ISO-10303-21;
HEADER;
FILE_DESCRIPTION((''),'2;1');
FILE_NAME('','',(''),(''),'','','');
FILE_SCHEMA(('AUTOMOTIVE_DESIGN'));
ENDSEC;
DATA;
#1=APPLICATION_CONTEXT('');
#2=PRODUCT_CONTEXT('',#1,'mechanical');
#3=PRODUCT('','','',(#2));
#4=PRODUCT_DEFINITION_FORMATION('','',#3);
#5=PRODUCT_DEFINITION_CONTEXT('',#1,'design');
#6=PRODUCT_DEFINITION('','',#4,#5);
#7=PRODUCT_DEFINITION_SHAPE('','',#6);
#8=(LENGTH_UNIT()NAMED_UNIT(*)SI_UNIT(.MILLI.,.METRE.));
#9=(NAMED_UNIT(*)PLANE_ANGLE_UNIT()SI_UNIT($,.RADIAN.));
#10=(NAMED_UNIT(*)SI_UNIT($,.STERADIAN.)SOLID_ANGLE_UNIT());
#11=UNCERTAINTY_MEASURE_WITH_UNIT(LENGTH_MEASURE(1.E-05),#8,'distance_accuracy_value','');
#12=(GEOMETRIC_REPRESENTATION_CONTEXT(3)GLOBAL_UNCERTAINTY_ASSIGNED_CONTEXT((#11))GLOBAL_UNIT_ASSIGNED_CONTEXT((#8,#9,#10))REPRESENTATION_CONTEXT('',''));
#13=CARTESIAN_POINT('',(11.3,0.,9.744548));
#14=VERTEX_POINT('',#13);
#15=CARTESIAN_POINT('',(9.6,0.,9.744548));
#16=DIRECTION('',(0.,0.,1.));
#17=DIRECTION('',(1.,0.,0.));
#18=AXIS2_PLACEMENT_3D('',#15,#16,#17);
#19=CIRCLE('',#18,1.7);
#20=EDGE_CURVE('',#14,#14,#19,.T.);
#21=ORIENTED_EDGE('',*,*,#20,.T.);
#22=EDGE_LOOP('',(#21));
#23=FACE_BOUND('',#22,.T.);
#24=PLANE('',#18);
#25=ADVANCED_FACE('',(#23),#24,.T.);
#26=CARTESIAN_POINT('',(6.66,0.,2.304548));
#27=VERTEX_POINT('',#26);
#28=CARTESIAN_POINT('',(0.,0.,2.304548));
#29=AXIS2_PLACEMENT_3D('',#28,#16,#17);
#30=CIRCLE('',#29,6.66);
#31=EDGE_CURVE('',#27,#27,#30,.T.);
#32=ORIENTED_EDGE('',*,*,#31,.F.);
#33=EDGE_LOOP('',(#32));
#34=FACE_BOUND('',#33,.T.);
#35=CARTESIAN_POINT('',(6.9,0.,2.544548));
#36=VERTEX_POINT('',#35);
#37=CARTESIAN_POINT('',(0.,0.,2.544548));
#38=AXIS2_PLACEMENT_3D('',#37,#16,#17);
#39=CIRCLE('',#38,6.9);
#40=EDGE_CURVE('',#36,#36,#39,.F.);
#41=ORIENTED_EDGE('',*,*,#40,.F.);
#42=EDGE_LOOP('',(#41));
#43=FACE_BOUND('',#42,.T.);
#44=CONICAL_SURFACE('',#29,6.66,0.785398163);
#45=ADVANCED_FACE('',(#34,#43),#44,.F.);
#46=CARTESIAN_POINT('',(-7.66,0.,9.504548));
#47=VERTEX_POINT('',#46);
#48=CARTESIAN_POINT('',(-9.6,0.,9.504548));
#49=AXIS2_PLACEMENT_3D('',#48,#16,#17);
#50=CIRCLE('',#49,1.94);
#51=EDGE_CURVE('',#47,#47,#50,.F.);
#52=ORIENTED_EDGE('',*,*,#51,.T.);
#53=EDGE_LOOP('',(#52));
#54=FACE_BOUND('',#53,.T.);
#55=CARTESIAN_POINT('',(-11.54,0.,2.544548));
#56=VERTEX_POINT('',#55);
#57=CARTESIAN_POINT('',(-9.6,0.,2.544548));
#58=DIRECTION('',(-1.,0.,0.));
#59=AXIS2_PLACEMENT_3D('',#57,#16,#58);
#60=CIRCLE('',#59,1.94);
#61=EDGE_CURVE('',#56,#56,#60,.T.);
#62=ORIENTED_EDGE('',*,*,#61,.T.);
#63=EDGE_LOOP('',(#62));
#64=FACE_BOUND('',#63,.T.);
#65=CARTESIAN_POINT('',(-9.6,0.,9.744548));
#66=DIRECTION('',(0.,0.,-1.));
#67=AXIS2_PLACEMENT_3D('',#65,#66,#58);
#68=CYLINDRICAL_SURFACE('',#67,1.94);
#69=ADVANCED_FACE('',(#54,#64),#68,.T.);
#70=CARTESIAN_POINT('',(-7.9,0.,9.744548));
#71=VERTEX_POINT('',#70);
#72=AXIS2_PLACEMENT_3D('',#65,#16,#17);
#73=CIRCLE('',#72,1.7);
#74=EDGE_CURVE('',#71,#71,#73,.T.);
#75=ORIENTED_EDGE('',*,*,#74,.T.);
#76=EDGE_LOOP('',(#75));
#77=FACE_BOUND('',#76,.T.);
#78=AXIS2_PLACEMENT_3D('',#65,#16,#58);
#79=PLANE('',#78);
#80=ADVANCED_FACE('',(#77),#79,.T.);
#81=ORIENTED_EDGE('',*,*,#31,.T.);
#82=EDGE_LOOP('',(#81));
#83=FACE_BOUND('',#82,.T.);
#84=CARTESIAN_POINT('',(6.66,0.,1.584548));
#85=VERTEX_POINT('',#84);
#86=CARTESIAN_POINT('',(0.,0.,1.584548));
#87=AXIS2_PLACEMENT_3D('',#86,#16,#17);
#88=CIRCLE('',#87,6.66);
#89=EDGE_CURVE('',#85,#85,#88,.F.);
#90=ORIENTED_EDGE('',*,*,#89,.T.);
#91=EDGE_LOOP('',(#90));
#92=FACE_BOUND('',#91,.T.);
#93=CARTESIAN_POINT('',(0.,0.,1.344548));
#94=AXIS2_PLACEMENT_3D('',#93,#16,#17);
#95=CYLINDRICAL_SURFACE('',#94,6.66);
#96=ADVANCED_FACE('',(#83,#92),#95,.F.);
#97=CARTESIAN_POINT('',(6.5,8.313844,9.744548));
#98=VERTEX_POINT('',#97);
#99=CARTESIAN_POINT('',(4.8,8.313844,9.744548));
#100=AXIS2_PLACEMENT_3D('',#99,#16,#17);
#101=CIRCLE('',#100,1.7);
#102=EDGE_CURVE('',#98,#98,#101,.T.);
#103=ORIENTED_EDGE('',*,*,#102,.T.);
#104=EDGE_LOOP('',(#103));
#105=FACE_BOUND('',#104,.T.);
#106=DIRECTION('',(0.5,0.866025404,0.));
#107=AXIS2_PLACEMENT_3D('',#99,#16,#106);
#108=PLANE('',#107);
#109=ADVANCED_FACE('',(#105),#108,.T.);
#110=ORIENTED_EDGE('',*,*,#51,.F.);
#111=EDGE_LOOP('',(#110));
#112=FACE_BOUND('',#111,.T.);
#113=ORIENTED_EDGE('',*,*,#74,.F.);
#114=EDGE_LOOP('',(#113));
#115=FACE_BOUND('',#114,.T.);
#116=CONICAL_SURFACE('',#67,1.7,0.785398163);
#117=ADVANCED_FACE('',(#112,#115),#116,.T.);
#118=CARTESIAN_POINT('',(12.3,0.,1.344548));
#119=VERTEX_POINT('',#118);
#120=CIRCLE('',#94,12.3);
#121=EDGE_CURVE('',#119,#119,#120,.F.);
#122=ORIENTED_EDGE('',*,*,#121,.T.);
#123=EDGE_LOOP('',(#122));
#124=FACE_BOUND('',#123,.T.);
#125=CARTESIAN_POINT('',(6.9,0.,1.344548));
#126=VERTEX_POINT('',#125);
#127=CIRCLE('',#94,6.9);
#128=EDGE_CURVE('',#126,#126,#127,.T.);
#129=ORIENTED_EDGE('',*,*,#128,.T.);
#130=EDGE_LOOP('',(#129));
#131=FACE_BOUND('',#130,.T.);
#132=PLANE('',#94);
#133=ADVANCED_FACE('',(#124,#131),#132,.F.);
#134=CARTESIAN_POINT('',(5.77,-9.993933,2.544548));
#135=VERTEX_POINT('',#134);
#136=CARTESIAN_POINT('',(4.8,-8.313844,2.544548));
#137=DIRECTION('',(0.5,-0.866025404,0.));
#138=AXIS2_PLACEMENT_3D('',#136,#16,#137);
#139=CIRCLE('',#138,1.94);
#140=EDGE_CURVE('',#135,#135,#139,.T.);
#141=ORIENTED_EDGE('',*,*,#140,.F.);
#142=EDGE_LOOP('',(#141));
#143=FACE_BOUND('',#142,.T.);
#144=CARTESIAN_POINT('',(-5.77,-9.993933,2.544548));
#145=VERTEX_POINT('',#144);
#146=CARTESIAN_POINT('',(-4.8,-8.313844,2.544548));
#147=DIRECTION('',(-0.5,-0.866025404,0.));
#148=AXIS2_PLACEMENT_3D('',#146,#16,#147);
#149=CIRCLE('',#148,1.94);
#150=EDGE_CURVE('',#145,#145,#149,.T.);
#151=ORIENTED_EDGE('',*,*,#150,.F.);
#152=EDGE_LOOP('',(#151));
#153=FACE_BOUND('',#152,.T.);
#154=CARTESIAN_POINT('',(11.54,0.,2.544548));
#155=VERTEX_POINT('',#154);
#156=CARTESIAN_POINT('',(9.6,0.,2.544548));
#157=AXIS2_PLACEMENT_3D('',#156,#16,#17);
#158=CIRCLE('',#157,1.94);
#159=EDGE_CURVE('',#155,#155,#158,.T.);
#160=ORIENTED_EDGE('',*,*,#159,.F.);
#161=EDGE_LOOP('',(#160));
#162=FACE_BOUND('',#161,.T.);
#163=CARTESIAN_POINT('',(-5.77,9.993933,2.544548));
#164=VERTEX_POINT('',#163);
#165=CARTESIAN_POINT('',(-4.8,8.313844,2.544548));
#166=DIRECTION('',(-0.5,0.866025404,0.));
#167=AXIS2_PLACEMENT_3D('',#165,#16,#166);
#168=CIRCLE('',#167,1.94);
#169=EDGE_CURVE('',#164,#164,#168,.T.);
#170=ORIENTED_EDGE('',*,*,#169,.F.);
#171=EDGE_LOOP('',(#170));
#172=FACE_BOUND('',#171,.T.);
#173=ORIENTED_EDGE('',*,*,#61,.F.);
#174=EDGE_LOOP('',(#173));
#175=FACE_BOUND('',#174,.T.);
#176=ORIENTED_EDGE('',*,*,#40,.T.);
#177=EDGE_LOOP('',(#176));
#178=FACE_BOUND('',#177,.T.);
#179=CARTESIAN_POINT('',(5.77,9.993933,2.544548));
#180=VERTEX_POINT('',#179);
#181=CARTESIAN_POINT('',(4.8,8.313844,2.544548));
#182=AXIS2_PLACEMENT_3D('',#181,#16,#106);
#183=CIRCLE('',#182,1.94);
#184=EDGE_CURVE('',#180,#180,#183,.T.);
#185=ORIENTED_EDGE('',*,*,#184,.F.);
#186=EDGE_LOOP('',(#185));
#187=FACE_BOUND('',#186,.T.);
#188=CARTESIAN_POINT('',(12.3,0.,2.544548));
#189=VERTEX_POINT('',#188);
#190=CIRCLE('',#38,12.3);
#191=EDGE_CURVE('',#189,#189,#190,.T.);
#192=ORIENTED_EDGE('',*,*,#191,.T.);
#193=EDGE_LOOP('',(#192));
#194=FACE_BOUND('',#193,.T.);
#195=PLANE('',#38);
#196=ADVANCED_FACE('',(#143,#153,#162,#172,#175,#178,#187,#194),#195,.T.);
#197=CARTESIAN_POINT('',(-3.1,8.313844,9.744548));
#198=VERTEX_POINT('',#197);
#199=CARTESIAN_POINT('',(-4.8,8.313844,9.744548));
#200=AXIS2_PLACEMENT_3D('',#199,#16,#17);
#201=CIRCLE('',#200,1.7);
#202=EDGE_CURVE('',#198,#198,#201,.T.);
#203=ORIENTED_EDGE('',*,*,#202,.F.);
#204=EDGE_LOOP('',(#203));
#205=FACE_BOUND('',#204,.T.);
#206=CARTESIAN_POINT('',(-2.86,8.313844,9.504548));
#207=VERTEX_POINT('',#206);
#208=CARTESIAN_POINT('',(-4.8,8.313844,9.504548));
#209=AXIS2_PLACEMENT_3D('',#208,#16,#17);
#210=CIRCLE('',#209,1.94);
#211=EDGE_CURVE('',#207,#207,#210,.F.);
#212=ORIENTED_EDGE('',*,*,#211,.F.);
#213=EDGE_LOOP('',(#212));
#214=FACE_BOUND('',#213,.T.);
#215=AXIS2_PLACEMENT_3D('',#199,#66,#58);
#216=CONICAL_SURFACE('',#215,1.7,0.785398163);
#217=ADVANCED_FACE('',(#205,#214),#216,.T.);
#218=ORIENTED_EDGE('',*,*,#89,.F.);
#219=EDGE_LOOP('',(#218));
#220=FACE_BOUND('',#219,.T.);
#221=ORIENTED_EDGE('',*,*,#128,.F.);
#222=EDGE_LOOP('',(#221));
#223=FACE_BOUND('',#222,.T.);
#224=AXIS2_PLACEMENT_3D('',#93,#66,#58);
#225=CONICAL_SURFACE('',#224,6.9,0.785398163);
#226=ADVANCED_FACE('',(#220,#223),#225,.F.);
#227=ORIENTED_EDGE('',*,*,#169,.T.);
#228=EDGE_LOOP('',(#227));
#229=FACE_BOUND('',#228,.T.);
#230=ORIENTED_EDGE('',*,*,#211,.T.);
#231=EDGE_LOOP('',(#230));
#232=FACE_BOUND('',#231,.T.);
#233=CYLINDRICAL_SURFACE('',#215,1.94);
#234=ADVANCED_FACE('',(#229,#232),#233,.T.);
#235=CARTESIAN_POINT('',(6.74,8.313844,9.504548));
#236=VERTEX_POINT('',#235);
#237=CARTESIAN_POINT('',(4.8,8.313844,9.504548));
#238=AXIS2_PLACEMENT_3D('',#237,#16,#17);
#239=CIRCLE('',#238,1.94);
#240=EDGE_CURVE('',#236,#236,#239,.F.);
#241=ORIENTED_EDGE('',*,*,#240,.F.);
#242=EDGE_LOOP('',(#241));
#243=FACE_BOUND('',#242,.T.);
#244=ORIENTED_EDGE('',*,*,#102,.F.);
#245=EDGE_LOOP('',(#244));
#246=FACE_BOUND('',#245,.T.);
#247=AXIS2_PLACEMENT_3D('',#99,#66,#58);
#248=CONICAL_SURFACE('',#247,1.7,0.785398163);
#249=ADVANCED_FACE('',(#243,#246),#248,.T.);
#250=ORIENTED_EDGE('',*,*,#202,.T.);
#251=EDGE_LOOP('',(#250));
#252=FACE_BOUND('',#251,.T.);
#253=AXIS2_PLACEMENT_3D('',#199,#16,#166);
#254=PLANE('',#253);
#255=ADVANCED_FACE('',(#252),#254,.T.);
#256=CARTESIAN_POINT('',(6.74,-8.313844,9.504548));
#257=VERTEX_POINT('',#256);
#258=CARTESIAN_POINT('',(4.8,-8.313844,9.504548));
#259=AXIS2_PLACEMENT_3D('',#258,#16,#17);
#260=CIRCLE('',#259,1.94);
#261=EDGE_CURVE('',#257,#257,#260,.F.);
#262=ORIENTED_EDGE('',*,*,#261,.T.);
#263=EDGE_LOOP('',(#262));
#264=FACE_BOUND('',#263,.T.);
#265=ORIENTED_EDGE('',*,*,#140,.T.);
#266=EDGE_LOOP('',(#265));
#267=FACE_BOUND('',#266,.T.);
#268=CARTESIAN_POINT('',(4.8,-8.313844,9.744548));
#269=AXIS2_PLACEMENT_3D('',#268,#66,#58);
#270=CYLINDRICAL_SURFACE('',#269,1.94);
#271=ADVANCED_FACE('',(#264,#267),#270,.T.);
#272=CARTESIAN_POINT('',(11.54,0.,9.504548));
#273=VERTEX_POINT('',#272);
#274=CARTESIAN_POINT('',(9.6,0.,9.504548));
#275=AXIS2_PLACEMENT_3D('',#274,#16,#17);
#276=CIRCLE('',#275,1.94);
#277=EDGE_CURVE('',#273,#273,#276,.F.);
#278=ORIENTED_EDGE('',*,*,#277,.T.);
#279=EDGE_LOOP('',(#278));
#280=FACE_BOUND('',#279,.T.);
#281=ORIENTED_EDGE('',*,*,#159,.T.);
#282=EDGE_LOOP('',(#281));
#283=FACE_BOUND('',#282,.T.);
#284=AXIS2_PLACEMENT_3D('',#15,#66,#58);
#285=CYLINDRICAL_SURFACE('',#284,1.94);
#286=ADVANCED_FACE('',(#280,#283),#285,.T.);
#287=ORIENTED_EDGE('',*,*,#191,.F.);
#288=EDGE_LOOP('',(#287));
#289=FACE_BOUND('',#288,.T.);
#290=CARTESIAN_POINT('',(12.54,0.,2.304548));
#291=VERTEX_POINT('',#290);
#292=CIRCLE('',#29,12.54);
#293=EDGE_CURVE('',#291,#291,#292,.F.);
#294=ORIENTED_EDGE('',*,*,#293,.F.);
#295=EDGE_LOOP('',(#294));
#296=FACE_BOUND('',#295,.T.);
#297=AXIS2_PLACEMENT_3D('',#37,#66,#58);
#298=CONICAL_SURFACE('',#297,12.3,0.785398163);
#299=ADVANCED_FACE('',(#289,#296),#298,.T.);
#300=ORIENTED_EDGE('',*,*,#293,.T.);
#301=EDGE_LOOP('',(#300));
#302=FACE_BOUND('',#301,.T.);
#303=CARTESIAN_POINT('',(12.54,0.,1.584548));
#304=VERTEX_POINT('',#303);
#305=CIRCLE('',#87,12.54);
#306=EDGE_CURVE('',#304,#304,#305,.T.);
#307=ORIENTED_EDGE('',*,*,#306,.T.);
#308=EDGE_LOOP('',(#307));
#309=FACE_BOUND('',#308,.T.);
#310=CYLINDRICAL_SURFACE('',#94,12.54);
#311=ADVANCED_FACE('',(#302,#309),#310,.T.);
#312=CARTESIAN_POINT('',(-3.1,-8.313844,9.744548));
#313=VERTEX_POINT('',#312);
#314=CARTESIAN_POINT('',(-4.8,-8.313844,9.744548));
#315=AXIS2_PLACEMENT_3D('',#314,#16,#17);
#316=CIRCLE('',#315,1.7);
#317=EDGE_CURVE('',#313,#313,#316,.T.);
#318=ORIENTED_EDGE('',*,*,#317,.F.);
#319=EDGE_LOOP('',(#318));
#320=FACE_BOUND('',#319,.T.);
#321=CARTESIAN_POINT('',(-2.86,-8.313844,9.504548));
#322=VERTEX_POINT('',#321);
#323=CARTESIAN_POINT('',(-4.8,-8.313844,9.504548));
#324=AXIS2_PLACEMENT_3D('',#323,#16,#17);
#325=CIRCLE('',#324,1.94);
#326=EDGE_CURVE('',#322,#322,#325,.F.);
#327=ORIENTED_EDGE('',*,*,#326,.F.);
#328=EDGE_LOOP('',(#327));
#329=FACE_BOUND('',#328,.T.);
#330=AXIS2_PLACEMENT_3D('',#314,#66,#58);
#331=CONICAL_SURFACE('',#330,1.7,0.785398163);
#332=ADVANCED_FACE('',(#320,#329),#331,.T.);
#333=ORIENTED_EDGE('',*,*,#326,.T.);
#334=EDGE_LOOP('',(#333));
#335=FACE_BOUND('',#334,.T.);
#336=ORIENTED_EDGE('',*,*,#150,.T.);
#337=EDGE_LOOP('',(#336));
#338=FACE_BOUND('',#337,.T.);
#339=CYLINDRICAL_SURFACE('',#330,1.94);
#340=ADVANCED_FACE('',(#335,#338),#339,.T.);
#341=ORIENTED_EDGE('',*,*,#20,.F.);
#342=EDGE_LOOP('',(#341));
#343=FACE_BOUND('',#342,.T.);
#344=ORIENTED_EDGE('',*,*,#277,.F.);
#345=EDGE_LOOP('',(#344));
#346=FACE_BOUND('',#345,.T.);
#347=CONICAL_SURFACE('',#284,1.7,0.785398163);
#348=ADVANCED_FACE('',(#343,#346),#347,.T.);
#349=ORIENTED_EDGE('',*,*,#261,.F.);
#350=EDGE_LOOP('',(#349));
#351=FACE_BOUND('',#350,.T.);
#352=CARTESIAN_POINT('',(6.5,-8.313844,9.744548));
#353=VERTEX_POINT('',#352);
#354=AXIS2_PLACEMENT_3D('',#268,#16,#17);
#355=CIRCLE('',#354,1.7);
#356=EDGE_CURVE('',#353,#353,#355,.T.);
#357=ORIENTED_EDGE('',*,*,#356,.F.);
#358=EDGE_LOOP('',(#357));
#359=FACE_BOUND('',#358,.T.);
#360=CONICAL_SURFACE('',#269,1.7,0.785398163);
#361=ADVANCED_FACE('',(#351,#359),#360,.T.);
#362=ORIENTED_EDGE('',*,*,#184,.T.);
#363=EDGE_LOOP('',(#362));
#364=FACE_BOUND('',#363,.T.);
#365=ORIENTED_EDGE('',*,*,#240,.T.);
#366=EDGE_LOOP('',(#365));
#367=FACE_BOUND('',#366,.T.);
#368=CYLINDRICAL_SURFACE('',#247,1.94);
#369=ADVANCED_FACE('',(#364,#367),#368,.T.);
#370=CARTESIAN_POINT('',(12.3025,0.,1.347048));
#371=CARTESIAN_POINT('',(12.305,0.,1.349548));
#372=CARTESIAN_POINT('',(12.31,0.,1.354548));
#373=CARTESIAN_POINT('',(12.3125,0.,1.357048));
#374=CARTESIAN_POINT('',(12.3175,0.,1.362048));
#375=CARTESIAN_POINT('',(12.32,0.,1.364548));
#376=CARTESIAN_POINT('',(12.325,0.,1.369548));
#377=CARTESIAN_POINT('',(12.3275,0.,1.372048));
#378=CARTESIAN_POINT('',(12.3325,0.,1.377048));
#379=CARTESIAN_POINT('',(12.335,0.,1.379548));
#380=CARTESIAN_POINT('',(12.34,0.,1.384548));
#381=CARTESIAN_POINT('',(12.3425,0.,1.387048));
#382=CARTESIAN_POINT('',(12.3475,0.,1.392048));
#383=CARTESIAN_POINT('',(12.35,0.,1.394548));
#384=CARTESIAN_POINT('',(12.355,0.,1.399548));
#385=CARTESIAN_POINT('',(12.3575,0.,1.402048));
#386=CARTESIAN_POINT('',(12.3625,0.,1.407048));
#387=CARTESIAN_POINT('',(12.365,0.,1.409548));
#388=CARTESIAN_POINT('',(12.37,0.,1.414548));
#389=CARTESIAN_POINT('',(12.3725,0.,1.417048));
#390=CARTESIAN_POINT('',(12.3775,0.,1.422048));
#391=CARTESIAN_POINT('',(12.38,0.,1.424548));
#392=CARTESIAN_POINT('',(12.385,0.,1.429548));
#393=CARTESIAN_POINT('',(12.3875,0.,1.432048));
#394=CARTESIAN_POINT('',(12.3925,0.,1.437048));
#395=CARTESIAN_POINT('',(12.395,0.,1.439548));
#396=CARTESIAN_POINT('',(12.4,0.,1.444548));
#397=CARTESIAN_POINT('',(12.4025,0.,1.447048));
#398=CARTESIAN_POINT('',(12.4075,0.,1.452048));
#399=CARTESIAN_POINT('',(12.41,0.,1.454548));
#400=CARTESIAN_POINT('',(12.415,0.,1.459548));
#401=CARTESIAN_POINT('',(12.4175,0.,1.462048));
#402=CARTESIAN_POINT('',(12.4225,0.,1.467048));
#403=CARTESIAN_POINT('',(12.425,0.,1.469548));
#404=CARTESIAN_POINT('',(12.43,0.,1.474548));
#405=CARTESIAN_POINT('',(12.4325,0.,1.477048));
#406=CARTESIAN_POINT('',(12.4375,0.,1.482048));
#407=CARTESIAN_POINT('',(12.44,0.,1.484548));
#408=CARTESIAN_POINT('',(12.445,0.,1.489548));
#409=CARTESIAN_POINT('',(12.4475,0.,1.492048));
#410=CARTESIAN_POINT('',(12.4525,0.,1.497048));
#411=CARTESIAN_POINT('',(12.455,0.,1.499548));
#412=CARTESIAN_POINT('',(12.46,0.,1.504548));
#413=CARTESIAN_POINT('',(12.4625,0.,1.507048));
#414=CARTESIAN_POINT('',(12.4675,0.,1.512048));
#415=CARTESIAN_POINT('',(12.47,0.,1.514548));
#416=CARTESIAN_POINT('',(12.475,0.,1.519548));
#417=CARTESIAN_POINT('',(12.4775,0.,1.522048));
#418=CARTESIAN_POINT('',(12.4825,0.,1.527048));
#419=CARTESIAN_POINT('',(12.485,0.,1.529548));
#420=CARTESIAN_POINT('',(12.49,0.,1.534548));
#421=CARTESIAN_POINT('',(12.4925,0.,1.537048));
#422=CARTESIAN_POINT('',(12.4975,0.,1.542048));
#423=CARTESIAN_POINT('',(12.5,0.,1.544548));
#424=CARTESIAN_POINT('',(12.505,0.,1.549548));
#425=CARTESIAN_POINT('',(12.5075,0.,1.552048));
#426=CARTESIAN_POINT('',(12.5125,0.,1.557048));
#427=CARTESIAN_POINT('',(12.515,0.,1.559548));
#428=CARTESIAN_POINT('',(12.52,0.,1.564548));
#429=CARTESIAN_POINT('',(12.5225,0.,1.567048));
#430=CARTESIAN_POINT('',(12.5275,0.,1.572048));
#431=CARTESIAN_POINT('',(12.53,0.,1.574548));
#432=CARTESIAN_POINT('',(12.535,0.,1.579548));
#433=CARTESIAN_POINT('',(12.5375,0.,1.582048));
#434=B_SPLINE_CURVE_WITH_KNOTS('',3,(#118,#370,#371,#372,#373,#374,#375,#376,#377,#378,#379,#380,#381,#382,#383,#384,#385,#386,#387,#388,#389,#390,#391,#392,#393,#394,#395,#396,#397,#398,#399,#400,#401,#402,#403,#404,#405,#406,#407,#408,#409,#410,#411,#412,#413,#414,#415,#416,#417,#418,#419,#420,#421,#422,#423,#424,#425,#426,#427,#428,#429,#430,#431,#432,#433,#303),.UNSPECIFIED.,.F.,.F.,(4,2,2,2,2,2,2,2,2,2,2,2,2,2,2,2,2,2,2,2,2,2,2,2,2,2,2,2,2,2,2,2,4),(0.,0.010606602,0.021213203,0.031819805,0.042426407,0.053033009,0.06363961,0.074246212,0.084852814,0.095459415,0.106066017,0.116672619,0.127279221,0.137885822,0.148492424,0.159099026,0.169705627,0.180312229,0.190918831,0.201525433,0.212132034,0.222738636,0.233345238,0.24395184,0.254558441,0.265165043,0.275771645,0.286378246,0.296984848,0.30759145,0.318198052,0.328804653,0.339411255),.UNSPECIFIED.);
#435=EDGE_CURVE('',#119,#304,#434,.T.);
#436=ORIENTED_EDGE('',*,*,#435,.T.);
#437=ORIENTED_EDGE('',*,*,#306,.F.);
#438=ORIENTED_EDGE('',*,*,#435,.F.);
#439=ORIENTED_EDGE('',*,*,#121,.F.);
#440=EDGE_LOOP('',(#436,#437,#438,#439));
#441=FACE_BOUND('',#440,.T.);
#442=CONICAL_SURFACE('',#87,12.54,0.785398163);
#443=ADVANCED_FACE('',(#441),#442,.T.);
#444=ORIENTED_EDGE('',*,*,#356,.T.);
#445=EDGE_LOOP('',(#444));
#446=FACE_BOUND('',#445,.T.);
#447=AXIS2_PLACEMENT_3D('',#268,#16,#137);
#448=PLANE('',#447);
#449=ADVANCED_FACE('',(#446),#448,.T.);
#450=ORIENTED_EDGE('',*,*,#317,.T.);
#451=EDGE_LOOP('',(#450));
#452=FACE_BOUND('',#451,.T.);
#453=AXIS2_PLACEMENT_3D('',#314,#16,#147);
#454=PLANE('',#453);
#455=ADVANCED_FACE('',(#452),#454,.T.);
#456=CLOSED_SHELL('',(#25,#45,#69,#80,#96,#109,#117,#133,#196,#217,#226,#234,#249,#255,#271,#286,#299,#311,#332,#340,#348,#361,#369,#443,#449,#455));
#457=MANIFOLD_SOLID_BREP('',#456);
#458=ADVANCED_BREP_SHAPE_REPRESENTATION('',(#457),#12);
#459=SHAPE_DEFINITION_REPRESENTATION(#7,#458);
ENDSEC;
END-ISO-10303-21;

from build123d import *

# Parameters (mm, degrees)
SKETCH1_R           = 31.35
SKETCH1_R_2         = 16.65
BOSS_EXTRUDE1_DEPTH = 3
SKETCH2_R           = 4.85
BOSS_EXTRUDE2_DEPTH = 18
CIRPATTERN1_COUNT   = 6
CHAMFER1_SIZE       = 0.6
SCALE1_SCALE        = 0.4


with BuildPart() as part:
    # Sketch1 → Boss-Extrude1 (new body)
    with BuildSketch(Plane.XY):
        Circle(SKETCH1_R)
        Circle(SKETCH1_R_2, mode=Mode.SUBTRACT)
    extrude(amount=-BOSS_EXTRUDE1_DEPTH)

    # Sketch2 → Boss-Extrude2 (add)
    with BuildSketch(Plane.XY):
        with Locations((24, 0)):
            Circle(SKETCH2_R)
    boss_extrude2 = extrude(amount=BOSS_EXTRUDE2_DEPTH)

    # CirPattern1: Boss-Extrude2 ×6 about axis
    cirpattern1_axis = Axis((0, 0, 0), (0, 0, 1))
    for i in range(1, CIRPATTERN1_COUNT):
        add(boss_extrude2.rotate(cirpattern1_axis, i * 360 / CIRPATTERN1_COUNT))

    # Chamfer1
    chamfer1_edges = [part.edges().sort_by_distance(p)[0] for p in [
        (19.15, 0, 18),
        (9.575, -16.584386482, 18),
        (-9.575, -16.584386482, 18),
        (-31.35, 0, 0),
        (-19.15, 0, 18),
        (-9.575, 16.584386482, 18),
        (9.575, 16.584386482, 18),
        (-31.35, 0, -3),
        (-16.65, 0, -3),
        (-16.65, 0, 0),
    ]]
    chamfer(chamfer1_edges, length=CHAMFER1_SIZE)


with BuildPart() as part_1:
    # Scale1: scaled about (0, 0, 4.240913614)
    add(part.part.scale(SCALE1_SCALE).moved(Location((0, 0, 2.544548168))))


solid = part_1.part
